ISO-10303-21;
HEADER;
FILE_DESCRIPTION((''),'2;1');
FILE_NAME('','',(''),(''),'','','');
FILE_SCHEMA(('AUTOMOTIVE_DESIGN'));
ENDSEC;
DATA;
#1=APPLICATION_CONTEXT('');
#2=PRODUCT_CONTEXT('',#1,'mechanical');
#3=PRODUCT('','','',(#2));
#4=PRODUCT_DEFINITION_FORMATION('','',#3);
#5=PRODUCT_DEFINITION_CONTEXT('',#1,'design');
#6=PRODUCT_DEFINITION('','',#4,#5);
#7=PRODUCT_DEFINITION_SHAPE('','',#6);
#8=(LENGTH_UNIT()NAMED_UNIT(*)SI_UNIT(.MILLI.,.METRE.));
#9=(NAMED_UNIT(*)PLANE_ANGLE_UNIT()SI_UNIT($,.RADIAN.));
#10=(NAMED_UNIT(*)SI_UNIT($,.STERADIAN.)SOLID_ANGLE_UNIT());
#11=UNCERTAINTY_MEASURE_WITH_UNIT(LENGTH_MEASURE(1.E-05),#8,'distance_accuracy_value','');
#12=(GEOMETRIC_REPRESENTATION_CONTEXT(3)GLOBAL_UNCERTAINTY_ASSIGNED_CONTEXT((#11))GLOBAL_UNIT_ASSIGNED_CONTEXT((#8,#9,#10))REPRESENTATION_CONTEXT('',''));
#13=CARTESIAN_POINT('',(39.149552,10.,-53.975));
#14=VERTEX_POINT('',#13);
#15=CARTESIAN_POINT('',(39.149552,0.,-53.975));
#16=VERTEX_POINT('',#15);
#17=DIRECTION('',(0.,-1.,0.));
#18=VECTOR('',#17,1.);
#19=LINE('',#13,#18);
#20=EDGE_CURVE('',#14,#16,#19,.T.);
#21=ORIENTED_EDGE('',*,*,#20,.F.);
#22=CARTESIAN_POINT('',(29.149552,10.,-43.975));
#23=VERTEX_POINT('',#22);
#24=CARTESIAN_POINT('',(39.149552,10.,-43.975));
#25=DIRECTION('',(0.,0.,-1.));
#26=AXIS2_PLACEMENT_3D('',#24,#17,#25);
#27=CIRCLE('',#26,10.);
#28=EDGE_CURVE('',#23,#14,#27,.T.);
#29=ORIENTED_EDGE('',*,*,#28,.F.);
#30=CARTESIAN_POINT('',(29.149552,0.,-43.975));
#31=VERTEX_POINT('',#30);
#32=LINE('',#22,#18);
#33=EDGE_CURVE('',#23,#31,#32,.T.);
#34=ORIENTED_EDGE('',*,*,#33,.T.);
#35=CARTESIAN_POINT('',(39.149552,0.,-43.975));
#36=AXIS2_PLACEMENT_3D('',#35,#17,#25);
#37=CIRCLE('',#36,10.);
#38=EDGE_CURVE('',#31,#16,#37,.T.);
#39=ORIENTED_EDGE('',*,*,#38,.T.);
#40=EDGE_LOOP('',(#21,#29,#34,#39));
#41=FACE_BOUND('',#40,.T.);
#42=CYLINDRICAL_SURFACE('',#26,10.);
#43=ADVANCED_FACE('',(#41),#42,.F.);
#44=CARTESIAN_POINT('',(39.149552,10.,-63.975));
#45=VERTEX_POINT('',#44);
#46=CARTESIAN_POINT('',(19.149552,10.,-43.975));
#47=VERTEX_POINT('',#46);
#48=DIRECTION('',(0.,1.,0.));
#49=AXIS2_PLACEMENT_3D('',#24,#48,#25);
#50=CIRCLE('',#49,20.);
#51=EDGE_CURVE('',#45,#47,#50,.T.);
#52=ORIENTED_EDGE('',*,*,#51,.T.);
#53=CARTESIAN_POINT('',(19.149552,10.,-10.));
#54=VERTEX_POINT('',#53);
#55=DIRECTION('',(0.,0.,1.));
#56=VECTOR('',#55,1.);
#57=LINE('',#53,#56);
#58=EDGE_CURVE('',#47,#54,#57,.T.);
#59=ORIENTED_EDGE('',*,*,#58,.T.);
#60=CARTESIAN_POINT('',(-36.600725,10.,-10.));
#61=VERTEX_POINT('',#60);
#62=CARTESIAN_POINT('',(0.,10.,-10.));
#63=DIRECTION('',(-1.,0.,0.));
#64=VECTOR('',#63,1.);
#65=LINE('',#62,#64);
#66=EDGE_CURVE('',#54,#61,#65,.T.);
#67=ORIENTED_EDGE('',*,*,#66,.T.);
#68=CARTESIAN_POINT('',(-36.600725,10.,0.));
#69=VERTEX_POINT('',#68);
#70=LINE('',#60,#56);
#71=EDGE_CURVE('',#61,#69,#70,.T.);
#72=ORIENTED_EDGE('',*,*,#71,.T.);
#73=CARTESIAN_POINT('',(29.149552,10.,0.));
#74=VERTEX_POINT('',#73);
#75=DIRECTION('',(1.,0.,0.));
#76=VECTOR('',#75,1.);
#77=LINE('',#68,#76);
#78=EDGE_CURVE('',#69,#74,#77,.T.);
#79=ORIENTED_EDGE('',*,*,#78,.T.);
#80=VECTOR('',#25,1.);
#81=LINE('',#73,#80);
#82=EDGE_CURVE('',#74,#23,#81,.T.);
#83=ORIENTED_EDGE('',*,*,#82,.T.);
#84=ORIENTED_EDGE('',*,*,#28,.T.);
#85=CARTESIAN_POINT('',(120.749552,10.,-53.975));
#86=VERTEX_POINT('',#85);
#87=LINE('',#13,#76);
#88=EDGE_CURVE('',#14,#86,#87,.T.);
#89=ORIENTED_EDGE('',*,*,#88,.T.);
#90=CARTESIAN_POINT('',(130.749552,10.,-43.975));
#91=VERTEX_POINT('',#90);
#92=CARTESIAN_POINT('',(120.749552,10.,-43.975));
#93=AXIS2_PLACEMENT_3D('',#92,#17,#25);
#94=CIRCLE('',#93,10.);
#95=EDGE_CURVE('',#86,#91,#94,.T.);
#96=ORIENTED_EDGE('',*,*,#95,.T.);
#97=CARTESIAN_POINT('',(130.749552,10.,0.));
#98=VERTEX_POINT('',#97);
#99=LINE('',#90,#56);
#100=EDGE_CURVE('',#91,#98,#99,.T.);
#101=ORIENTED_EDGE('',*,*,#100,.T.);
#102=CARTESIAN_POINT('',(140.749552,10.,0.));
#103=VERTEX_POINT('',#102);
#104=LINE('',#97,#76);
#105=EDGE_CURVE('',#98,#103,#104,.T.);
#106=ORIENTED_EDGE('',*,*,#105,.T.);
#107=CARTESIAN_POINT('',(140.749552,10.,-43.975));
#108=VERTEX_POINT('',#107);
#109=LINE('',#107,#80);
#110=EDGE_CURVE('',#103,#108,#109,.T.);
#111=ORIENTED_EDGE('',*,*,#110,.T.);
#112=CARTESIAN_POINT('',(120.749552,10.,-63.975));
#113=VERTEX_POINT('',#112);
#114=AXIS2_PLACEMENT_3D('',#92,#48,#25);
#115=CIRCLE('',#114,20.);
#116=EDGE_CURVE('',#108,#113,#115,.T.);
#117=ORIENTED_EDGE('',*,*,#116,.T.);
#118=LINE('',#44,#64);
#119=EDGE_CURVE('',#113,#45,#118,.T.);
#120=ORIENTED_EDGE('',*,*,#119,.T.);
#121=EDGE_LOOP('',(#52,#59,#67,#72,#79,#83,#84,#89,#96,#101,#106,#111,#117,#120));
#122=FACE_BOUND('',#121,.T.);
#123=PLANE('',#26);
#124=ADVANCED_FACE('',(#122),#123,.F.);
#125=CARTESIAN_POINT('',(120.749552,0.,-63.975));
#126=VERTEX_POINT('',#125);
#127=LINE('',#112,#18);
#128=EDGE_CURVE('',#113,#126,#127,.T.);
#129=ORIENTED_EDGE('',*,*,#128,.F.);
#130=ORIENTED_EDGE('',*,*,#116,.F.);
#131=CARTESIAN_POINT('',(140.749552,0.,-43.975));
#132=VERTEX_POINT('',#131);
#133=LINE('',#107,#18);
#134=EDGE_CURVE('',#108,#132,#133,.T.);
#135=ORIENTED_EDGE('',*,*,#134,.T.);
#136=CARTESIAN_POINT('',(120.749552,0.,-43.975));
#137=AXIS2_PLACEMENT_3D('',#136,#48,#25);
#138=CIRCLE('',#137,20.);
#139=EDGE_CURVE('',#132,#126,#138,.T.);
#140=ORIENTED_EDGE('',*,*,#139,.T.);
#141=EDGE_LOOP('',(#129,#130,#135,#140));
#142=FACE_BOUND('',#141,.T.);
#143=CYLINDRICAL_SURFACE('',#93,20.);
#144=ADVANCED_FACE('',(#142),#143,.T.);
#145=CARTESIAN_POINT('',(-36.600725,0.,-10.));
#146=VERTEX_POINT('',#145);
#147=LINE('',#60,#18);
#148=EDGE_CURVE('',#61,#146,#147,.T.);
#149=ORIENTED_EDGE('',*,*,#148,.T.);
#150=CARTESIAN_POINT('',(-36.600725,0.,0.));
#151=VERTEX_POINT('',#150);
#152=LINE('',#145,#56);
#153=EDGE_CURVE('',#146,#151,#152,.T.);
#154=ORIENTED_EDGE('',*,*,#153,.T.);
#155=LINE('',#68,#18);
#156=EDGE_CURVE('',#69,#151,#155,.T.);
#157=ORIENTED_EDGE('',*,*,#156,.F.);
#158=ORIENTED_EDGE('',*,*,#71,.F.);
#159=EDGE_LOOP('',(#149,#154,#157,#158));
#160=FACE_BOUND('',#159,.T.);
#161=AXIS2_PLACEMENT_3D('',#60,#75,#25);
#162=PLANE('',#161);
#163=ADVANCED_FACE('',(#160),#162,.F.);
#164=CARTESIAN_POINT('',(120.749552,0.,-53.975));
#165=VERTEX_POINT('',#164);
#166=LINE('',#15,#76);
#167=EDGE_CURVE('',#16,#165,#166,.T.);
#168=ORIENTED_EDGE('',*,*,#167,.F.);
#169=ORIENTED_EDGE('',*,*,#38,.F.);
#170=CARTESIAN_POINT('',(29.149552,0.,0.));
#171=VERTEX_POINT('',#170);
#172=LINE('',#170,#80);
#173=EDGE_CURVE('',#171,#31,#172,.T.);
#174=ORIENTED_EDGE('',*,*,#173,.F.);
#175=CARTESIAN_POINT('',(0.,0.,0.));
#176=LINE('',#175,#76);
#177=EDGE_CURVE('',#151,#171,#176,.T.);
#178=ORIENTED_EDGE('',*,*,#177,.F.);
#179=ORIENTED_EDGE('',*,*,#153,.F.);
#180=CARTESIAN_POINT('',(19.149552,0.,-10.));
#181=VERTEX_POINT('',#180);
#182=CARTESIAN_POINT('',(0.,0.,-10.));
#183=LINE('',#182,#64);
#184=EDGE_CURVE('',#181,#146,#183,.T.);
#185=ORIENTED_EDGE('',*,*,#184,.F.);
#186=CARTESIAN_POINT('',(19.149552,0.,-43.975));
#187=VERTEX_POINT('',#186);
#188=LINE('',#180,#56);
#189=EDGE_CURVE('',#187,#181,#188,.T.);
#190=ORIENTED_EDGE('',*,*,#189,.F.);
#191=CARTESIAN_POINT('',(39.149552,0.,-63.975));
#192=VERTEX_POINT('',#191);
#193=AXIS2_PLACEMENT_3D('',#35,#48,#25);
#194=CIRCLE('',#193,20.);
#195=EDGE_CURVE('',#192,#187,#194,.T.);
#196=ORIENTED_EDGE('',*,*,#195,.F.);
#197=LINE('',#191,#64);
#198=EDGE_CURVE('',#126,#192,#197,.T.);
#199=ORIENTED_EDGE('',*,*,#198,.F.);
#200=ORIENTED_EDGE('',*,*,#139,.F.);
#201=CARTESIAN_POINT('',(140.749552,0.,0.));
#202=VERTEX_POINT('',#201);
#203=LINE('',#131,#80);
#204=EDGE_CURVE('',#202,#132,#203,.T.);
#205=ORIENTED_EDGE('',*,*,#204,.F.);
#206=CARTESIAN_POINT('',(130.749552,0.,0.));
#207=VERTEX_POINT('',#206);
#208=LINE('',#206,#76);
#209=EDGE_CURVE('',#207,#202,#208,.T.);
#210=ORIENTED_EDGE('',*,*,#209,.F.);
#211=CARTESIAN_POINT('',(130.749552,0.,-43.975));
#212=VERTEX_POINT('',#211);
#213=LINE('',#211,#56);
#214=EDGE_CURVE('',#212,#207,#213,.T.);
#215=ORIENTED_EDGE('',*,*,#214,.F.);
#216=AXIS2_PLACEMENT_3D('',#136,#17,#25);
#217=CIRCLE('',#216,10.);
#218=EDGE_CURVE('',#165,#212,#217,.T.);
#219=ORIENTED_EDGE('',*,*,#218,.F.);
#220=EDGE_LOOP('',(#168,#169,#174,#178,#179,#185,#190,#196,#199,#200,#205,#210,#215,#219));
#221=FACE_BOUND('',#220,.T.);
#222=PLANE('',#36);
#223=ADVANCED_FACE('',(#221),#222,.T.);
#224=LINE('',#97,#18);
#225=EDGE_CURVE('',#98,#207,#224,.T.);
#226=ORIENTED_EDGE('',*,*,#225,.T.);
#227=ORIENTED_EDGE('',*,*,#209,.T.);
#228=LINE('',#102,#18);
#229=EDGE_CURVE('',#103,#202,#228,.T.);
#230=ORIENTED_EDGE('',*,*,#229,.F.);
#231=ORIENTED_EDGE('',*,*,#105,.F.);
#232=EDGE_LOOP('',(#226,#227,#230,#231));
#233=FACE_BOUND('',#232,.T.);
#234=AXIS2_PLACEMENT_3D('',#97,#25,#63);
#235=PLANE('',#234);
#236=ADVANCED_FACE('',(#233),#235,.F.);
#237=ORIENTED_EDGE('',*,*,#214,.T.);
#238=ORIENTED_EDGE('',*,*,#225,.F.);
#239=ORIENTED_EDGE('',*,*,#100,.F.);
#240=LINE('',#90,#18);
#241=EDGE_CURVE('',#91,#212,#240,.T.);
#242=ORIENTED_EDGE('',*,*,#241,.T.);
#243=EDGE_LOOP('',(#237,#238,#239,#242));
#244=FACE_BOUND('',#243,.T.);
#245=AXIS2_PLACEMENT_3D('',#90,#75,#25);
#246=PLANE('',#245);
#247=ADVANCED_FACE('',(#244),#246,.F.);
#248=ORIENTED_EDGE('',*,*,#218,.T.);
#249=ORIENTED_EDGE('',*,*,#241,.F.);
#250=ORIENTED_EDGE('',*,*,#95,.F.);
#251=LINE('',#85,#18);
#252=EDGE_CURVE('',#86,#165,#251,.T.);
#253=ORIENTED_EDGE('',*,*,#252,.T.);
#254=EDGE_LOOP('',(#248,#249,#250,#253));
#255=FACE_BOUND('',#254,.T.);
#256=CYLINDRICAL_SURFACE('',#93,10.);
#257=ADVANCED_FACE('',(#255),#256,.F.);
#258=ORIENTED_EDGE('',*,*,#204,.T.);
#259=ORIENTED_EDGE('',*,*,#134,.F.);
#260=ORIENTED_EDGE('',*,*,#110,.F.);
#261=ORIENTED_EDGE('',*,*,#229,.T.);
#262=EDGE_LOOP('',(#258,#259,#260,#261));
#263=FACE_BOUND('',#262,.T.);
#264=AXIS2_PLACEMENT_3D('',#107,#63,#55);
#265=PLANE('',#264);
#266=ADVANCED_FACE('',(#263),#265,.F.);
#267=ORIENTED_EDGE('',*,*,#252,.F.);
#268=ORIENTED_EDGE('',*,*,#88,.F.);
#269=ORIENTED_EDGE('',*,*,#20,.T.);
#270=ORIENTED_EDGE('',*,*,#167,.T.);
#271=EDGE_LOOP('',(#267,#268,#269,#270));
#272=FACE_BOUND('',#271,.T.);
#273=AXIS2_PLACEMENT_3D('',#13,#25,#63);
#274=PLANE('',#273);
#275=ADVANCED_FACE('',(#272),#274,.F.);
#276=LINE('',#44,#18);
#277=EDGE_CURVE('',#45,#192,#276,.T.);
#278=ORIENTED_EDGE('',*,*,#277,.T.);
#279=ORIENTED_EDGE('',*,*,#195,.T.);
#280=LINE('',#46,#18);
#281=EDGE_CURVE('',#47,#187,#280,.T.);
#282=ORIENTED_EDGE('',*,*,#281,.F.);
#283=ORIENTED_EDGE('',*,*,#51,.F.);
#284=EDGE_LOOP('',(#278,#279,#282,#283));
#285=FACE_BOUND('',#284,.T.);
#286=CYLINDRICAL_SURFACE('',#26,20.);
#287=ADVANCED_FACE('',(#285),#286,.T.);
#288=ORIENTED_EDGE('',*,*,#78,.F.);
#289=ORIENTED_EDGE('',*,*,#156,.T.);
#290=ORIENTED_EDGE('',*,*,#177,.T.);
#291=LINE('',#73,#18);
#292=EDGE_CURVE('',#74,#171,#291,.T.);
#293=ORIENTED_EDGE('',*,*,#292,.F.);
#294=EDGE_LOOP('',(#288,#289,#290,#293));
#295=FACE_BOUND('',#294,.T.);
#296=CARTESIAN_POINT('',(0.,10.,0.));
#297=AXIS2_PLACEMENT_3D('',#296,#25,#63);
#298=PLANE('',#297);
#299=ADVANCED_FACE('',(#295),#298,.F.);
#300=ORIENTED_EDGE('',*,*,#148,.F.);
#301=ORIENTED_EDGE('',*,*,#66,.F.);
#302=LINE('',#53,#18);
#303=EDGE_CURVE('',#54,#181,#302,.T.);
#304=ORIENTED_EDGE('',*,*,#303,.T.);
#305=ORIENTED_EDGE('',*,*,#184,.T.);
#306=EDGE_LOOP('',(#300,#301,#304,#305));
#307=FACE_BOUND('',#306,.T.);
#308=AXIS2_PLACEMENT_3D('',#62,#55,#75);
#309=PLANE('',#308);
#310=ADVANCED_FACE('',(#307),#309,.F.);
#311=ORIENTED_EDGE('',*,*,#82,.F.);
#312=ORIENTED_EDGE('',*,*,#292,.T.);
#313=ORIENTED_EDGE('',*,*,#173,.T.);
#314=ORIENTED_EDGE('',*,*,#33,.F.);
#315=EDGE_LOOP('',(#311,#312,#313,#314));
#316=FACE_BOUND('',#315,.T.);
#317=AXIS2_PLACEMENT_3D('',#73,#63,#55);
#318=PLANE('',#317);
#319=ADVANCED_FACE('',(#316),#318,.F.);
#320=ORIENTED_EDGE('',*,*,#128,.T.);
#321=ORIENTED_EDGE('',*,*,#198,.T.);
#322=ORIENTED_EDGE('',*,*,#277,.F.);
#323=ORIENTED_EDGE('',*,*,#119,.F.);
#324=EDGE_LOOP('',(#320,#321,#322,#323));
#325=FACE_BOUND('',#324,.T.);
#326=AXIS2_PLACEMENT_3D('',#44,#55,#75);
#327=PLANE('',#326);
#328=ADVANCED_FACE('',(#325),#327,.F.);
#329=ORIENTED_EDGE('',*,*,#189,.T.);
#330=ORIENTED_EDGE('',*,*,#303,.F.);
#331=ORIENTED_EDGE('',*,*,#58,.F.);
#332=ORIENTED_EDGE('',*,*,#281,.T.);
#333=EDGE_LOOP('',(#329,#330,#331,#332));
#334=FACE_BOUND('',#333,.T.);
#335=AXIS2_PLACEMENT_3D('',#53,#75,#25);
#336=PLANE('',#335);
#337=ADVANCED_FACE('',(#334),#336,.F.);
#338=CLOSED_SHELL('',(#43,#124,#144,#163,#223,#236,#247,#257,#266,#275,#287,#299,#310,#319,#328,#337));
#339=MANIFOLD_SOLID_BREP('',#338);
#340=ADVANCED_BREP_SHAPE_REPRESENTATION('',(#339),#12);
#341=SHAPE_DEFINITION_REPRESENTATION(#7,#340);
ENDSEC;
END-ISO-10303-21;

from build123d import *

# Parameters (mm, degrees)
BOSS_EXTRUDE1_DEPTH = 10


with BuildPart() as part:
    # Sketch1 → Boss-Extrude1 (new body)
    with BuildSketch(Plane(origin=(0, 0, 0), x_dir=(1, 0, 0), z_dir=(0, 1, 0))):
        with BuildLine():
            Line((0, 0), (29.149551568, 0))
            Line((29.149551568, 0), (29.149551568, 43.975))
            ThreePointArc((29.149551568, 43.975), (32.078483756, 51.046067812), (39.149551568, 53.975))
            Line((39.149551568, 53.975), (120.749551568, 53.975))
            ThreePointArc((120.749551568, 53.975), (127.82061938, 51.046067812), (130.749551568, 43.975))
            Line((130.749551568, 43.975), (130.749551568, 0))
            Line((130.749551568, 0), (140.749551568, 0))
            Line((140.749551568, 0), (140.749551568, 43.975))
            ThreePointArc((140.749551568, 43.975), (134.891687192, 58.117135624), (120.749551568, 63.975))
            Line((120.749551568, 63.975), (39.149551568, 63.975))
            ThreePointArc((39.149551568, 63.975), (25.007415944, 58.117135624), (19.149551568, 43.975))
            Line((19.149551568, 43.975), (19.149551568, 10))
            Line((19.149551568, 10), (0, 10))
            Line((0, 10), (-36.600725287, 10))
            Line((-36.600725287, 10), (-36.600725287, 0))
            Line((-36.600725287, 0), (0, 0))
        make_face()
    extrude(amount=BOSS_EXTRUDE1_DEPTH)


solid = part.part
